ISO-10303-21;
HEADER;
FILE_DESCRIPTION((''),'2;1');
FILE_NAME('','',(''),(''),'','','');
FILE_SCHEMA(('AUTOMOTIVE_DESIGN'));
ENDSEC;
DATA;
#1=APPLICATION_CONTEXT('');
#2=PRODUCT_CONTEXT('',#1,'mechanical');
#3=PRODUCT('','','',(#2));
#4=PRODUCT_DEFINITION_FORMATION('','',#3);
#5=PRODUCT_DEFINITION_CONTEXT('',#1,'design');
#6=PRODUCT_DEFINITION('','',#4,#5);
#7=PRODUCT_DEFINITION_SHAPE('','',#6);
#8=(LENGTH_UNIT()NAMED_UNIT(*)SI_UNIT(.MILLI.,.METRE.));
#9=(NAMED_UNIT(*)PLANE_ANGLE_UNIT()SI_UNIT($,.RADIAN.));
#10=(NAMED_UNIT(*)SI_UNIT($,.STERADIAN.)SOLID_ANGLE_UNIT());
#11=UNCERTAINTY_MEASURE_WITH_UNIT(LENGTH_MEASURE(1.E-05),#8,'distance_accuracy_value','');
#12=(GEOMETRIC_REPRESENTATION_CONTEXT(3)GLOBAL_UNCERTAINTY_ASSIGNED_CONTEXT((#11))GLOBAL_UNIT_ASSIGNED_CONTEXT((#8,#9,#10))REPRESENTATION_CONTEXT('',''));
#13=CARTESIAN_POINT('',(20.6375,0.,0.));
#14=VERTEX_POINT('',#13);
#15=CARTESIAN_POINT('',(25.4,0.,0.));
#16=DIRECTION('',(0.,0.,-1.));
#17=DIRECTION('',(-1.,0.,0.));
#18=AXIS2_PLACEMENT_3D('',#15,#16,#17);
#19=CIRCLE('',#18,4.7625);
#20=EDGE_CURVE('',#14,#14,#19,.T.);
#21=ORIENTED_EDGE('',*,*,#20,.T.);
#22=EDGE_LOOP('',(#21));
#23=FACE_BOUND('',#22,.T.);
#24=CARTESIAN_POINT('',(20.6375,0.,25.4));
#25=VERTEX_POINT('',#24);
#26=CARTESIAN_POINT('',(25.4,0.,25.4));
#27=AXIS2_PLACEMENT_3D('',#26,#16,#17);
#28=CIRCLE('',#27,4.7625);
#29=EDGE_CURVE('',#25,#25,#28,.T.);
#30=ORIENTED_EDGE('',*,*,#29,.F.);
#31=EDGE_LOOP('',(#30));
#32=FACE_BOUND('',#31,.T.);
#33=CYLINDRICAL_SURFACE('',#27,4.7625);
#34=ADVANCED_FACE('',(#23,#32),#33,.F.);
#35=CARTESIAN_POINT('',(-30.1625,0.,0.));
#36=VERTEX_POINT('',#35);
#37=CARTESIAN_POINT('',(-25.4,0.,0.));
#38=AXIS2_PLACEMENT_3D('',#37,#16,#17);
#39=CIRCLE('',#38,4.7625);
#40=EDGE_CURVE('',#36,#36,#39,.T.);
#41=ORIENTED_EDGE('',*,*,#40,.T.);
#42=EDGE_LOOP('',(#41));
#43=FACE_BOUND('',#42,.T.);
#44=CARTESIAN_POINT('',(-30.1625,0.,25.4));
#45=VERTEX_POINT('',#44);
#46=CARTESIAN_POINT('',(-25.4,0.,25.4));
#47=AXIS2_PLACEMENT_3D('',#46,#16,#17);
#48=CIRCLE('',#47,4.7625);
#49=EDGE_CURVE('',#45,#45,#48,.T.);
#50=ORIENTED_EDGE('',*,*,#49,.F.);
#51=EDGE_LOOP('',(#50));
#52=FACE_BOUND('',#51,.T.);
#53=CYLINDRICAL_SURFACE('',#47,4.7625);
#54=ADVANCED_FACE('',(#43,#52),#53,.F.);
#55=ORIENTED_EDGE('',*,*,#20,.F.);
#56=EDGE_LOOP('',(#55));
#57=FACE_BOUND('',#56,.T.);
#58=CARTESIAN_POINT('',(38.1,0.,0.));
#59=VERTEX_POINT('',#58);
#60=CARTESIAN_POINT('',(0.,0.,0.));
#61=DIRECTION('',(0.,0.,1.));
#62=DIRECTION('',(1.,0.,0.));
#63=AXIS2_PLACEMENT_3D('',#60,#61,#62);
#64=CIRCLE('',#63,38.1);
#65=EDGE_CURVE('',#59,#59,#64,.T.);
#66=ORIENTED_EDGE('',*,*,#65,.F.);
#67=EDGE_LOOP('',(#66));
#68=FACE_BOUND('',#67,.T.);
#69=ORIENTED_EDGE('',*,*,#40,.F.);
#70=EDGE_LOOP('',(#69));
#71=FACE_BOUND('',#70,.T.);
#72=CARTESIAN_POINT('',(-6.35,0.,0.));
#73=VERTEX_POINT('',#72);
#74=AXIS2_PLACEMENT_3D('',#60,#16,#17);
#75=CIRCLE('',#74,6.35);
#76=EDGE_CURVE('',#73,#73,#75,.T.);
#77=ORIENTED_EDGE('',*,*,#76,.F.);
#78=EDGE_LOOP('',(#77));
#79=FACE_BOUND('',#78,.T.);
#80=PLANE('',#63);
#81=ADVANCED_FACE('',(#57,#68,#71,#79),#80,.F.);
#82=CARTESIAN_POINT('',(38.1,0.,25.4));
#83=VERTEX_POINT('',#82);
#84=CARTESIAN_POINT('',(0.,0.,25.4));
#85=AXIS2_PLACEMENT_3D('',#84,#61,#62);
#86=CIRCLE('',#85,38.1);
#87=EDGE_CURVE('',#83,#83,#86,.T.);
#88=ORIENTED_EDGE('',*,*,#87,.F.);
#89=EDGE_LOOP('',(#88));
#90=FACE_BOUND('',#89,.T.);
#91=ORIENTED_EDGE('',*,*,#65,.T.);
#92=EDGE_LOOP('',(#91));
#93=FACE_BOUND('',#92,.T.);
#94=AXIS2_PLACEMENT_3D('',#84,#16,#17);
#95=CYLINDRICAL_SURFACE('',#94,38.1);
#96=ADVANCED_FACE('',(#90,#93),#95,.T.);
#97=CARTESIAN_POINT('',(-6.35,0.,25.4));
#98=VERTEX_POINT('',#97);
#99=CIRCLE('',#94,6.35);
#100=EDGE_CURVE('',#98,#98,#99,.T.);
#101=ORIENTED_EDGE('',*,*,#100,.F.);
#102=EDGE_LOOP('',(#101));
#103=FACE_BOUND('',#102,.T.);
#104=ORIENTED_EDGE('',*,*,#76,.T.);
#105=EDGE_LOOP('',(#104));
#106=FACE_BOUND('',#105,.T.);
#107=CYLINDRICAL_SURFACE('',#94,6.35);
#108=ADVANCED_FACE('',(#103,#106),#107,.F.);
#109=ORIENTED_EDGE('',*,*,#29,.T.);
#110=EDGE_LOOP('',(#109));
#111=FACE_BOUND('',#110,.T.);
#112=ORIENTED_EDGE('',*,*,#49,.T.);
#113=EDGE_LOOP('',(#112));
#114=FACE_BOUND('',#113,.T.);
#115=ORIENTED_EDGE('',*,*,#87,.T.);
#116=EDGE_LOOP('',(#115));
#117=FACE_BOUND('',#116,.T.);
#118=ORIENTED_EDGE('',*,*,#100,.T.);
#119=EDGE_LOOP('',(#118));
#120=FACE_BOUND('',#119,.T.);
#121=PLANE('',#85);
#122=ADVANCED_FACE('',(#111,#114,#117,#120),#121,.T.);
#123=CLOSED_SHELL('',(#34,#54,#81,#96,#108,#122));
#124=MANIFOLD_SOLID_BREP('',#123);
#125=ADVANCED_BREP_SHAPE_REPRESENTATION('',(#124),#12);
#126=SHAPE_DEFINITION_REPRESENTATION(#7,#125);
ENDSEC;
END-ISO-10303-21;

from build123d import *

# Parameters (mm, degrees)
SKETCH1_R                   = 38.1
OD_DON_T_CARE_DEPTH         = 25.4
SKETCH2_R                   = 4.7625
F_3_8_16_TAPPED_HOLES_DEPTH = 60.56828015
SKETCH4_R                   = 6.35
F_1_2_13_TAPPED_HOLE_DEPTH  = 60.56828015


with BuildPart() as part:
    # Sketch1 → OD Don't Care (new body)
    with BuildSketch(Plane.XY):
        Circle(SKETCH1_R)
    extrude(amount=OD_DON_T_CARE_DEPTH)

    # Sketch2 → 3/8"-16 Tapped Holes (cut, through all)
    with BuildSketch(Plane(origin=(0, 0, 0), x_dir=(-1, 0, 0), z_dir=(0, 0, -1))):
        with Locations((-25.4, 0)):
            Circle(SKETCH2_R)
        with Locations((25.4, 0)):
            Circle(SKETCH2_R)
    extrude(amount=-F_3_8_16_TAPPED_HOLES_DEPTH, mode=Mode.SUBTRACT)

    # Sketch4 → 1/2"-13 Tapped Hole (cut, through all)
    with BuildSketch(Plane(origin=(0, 0, 0), x_dir=(-1, 0, 0), z_dir=(0, 0, -1))):
        Circle(SKETCH4_R)
    extrude(amount=-F_1_2_13_TAPPED_HOLE_DEPTH, mode=Mode.SUBTRACT)


solid = part.part
